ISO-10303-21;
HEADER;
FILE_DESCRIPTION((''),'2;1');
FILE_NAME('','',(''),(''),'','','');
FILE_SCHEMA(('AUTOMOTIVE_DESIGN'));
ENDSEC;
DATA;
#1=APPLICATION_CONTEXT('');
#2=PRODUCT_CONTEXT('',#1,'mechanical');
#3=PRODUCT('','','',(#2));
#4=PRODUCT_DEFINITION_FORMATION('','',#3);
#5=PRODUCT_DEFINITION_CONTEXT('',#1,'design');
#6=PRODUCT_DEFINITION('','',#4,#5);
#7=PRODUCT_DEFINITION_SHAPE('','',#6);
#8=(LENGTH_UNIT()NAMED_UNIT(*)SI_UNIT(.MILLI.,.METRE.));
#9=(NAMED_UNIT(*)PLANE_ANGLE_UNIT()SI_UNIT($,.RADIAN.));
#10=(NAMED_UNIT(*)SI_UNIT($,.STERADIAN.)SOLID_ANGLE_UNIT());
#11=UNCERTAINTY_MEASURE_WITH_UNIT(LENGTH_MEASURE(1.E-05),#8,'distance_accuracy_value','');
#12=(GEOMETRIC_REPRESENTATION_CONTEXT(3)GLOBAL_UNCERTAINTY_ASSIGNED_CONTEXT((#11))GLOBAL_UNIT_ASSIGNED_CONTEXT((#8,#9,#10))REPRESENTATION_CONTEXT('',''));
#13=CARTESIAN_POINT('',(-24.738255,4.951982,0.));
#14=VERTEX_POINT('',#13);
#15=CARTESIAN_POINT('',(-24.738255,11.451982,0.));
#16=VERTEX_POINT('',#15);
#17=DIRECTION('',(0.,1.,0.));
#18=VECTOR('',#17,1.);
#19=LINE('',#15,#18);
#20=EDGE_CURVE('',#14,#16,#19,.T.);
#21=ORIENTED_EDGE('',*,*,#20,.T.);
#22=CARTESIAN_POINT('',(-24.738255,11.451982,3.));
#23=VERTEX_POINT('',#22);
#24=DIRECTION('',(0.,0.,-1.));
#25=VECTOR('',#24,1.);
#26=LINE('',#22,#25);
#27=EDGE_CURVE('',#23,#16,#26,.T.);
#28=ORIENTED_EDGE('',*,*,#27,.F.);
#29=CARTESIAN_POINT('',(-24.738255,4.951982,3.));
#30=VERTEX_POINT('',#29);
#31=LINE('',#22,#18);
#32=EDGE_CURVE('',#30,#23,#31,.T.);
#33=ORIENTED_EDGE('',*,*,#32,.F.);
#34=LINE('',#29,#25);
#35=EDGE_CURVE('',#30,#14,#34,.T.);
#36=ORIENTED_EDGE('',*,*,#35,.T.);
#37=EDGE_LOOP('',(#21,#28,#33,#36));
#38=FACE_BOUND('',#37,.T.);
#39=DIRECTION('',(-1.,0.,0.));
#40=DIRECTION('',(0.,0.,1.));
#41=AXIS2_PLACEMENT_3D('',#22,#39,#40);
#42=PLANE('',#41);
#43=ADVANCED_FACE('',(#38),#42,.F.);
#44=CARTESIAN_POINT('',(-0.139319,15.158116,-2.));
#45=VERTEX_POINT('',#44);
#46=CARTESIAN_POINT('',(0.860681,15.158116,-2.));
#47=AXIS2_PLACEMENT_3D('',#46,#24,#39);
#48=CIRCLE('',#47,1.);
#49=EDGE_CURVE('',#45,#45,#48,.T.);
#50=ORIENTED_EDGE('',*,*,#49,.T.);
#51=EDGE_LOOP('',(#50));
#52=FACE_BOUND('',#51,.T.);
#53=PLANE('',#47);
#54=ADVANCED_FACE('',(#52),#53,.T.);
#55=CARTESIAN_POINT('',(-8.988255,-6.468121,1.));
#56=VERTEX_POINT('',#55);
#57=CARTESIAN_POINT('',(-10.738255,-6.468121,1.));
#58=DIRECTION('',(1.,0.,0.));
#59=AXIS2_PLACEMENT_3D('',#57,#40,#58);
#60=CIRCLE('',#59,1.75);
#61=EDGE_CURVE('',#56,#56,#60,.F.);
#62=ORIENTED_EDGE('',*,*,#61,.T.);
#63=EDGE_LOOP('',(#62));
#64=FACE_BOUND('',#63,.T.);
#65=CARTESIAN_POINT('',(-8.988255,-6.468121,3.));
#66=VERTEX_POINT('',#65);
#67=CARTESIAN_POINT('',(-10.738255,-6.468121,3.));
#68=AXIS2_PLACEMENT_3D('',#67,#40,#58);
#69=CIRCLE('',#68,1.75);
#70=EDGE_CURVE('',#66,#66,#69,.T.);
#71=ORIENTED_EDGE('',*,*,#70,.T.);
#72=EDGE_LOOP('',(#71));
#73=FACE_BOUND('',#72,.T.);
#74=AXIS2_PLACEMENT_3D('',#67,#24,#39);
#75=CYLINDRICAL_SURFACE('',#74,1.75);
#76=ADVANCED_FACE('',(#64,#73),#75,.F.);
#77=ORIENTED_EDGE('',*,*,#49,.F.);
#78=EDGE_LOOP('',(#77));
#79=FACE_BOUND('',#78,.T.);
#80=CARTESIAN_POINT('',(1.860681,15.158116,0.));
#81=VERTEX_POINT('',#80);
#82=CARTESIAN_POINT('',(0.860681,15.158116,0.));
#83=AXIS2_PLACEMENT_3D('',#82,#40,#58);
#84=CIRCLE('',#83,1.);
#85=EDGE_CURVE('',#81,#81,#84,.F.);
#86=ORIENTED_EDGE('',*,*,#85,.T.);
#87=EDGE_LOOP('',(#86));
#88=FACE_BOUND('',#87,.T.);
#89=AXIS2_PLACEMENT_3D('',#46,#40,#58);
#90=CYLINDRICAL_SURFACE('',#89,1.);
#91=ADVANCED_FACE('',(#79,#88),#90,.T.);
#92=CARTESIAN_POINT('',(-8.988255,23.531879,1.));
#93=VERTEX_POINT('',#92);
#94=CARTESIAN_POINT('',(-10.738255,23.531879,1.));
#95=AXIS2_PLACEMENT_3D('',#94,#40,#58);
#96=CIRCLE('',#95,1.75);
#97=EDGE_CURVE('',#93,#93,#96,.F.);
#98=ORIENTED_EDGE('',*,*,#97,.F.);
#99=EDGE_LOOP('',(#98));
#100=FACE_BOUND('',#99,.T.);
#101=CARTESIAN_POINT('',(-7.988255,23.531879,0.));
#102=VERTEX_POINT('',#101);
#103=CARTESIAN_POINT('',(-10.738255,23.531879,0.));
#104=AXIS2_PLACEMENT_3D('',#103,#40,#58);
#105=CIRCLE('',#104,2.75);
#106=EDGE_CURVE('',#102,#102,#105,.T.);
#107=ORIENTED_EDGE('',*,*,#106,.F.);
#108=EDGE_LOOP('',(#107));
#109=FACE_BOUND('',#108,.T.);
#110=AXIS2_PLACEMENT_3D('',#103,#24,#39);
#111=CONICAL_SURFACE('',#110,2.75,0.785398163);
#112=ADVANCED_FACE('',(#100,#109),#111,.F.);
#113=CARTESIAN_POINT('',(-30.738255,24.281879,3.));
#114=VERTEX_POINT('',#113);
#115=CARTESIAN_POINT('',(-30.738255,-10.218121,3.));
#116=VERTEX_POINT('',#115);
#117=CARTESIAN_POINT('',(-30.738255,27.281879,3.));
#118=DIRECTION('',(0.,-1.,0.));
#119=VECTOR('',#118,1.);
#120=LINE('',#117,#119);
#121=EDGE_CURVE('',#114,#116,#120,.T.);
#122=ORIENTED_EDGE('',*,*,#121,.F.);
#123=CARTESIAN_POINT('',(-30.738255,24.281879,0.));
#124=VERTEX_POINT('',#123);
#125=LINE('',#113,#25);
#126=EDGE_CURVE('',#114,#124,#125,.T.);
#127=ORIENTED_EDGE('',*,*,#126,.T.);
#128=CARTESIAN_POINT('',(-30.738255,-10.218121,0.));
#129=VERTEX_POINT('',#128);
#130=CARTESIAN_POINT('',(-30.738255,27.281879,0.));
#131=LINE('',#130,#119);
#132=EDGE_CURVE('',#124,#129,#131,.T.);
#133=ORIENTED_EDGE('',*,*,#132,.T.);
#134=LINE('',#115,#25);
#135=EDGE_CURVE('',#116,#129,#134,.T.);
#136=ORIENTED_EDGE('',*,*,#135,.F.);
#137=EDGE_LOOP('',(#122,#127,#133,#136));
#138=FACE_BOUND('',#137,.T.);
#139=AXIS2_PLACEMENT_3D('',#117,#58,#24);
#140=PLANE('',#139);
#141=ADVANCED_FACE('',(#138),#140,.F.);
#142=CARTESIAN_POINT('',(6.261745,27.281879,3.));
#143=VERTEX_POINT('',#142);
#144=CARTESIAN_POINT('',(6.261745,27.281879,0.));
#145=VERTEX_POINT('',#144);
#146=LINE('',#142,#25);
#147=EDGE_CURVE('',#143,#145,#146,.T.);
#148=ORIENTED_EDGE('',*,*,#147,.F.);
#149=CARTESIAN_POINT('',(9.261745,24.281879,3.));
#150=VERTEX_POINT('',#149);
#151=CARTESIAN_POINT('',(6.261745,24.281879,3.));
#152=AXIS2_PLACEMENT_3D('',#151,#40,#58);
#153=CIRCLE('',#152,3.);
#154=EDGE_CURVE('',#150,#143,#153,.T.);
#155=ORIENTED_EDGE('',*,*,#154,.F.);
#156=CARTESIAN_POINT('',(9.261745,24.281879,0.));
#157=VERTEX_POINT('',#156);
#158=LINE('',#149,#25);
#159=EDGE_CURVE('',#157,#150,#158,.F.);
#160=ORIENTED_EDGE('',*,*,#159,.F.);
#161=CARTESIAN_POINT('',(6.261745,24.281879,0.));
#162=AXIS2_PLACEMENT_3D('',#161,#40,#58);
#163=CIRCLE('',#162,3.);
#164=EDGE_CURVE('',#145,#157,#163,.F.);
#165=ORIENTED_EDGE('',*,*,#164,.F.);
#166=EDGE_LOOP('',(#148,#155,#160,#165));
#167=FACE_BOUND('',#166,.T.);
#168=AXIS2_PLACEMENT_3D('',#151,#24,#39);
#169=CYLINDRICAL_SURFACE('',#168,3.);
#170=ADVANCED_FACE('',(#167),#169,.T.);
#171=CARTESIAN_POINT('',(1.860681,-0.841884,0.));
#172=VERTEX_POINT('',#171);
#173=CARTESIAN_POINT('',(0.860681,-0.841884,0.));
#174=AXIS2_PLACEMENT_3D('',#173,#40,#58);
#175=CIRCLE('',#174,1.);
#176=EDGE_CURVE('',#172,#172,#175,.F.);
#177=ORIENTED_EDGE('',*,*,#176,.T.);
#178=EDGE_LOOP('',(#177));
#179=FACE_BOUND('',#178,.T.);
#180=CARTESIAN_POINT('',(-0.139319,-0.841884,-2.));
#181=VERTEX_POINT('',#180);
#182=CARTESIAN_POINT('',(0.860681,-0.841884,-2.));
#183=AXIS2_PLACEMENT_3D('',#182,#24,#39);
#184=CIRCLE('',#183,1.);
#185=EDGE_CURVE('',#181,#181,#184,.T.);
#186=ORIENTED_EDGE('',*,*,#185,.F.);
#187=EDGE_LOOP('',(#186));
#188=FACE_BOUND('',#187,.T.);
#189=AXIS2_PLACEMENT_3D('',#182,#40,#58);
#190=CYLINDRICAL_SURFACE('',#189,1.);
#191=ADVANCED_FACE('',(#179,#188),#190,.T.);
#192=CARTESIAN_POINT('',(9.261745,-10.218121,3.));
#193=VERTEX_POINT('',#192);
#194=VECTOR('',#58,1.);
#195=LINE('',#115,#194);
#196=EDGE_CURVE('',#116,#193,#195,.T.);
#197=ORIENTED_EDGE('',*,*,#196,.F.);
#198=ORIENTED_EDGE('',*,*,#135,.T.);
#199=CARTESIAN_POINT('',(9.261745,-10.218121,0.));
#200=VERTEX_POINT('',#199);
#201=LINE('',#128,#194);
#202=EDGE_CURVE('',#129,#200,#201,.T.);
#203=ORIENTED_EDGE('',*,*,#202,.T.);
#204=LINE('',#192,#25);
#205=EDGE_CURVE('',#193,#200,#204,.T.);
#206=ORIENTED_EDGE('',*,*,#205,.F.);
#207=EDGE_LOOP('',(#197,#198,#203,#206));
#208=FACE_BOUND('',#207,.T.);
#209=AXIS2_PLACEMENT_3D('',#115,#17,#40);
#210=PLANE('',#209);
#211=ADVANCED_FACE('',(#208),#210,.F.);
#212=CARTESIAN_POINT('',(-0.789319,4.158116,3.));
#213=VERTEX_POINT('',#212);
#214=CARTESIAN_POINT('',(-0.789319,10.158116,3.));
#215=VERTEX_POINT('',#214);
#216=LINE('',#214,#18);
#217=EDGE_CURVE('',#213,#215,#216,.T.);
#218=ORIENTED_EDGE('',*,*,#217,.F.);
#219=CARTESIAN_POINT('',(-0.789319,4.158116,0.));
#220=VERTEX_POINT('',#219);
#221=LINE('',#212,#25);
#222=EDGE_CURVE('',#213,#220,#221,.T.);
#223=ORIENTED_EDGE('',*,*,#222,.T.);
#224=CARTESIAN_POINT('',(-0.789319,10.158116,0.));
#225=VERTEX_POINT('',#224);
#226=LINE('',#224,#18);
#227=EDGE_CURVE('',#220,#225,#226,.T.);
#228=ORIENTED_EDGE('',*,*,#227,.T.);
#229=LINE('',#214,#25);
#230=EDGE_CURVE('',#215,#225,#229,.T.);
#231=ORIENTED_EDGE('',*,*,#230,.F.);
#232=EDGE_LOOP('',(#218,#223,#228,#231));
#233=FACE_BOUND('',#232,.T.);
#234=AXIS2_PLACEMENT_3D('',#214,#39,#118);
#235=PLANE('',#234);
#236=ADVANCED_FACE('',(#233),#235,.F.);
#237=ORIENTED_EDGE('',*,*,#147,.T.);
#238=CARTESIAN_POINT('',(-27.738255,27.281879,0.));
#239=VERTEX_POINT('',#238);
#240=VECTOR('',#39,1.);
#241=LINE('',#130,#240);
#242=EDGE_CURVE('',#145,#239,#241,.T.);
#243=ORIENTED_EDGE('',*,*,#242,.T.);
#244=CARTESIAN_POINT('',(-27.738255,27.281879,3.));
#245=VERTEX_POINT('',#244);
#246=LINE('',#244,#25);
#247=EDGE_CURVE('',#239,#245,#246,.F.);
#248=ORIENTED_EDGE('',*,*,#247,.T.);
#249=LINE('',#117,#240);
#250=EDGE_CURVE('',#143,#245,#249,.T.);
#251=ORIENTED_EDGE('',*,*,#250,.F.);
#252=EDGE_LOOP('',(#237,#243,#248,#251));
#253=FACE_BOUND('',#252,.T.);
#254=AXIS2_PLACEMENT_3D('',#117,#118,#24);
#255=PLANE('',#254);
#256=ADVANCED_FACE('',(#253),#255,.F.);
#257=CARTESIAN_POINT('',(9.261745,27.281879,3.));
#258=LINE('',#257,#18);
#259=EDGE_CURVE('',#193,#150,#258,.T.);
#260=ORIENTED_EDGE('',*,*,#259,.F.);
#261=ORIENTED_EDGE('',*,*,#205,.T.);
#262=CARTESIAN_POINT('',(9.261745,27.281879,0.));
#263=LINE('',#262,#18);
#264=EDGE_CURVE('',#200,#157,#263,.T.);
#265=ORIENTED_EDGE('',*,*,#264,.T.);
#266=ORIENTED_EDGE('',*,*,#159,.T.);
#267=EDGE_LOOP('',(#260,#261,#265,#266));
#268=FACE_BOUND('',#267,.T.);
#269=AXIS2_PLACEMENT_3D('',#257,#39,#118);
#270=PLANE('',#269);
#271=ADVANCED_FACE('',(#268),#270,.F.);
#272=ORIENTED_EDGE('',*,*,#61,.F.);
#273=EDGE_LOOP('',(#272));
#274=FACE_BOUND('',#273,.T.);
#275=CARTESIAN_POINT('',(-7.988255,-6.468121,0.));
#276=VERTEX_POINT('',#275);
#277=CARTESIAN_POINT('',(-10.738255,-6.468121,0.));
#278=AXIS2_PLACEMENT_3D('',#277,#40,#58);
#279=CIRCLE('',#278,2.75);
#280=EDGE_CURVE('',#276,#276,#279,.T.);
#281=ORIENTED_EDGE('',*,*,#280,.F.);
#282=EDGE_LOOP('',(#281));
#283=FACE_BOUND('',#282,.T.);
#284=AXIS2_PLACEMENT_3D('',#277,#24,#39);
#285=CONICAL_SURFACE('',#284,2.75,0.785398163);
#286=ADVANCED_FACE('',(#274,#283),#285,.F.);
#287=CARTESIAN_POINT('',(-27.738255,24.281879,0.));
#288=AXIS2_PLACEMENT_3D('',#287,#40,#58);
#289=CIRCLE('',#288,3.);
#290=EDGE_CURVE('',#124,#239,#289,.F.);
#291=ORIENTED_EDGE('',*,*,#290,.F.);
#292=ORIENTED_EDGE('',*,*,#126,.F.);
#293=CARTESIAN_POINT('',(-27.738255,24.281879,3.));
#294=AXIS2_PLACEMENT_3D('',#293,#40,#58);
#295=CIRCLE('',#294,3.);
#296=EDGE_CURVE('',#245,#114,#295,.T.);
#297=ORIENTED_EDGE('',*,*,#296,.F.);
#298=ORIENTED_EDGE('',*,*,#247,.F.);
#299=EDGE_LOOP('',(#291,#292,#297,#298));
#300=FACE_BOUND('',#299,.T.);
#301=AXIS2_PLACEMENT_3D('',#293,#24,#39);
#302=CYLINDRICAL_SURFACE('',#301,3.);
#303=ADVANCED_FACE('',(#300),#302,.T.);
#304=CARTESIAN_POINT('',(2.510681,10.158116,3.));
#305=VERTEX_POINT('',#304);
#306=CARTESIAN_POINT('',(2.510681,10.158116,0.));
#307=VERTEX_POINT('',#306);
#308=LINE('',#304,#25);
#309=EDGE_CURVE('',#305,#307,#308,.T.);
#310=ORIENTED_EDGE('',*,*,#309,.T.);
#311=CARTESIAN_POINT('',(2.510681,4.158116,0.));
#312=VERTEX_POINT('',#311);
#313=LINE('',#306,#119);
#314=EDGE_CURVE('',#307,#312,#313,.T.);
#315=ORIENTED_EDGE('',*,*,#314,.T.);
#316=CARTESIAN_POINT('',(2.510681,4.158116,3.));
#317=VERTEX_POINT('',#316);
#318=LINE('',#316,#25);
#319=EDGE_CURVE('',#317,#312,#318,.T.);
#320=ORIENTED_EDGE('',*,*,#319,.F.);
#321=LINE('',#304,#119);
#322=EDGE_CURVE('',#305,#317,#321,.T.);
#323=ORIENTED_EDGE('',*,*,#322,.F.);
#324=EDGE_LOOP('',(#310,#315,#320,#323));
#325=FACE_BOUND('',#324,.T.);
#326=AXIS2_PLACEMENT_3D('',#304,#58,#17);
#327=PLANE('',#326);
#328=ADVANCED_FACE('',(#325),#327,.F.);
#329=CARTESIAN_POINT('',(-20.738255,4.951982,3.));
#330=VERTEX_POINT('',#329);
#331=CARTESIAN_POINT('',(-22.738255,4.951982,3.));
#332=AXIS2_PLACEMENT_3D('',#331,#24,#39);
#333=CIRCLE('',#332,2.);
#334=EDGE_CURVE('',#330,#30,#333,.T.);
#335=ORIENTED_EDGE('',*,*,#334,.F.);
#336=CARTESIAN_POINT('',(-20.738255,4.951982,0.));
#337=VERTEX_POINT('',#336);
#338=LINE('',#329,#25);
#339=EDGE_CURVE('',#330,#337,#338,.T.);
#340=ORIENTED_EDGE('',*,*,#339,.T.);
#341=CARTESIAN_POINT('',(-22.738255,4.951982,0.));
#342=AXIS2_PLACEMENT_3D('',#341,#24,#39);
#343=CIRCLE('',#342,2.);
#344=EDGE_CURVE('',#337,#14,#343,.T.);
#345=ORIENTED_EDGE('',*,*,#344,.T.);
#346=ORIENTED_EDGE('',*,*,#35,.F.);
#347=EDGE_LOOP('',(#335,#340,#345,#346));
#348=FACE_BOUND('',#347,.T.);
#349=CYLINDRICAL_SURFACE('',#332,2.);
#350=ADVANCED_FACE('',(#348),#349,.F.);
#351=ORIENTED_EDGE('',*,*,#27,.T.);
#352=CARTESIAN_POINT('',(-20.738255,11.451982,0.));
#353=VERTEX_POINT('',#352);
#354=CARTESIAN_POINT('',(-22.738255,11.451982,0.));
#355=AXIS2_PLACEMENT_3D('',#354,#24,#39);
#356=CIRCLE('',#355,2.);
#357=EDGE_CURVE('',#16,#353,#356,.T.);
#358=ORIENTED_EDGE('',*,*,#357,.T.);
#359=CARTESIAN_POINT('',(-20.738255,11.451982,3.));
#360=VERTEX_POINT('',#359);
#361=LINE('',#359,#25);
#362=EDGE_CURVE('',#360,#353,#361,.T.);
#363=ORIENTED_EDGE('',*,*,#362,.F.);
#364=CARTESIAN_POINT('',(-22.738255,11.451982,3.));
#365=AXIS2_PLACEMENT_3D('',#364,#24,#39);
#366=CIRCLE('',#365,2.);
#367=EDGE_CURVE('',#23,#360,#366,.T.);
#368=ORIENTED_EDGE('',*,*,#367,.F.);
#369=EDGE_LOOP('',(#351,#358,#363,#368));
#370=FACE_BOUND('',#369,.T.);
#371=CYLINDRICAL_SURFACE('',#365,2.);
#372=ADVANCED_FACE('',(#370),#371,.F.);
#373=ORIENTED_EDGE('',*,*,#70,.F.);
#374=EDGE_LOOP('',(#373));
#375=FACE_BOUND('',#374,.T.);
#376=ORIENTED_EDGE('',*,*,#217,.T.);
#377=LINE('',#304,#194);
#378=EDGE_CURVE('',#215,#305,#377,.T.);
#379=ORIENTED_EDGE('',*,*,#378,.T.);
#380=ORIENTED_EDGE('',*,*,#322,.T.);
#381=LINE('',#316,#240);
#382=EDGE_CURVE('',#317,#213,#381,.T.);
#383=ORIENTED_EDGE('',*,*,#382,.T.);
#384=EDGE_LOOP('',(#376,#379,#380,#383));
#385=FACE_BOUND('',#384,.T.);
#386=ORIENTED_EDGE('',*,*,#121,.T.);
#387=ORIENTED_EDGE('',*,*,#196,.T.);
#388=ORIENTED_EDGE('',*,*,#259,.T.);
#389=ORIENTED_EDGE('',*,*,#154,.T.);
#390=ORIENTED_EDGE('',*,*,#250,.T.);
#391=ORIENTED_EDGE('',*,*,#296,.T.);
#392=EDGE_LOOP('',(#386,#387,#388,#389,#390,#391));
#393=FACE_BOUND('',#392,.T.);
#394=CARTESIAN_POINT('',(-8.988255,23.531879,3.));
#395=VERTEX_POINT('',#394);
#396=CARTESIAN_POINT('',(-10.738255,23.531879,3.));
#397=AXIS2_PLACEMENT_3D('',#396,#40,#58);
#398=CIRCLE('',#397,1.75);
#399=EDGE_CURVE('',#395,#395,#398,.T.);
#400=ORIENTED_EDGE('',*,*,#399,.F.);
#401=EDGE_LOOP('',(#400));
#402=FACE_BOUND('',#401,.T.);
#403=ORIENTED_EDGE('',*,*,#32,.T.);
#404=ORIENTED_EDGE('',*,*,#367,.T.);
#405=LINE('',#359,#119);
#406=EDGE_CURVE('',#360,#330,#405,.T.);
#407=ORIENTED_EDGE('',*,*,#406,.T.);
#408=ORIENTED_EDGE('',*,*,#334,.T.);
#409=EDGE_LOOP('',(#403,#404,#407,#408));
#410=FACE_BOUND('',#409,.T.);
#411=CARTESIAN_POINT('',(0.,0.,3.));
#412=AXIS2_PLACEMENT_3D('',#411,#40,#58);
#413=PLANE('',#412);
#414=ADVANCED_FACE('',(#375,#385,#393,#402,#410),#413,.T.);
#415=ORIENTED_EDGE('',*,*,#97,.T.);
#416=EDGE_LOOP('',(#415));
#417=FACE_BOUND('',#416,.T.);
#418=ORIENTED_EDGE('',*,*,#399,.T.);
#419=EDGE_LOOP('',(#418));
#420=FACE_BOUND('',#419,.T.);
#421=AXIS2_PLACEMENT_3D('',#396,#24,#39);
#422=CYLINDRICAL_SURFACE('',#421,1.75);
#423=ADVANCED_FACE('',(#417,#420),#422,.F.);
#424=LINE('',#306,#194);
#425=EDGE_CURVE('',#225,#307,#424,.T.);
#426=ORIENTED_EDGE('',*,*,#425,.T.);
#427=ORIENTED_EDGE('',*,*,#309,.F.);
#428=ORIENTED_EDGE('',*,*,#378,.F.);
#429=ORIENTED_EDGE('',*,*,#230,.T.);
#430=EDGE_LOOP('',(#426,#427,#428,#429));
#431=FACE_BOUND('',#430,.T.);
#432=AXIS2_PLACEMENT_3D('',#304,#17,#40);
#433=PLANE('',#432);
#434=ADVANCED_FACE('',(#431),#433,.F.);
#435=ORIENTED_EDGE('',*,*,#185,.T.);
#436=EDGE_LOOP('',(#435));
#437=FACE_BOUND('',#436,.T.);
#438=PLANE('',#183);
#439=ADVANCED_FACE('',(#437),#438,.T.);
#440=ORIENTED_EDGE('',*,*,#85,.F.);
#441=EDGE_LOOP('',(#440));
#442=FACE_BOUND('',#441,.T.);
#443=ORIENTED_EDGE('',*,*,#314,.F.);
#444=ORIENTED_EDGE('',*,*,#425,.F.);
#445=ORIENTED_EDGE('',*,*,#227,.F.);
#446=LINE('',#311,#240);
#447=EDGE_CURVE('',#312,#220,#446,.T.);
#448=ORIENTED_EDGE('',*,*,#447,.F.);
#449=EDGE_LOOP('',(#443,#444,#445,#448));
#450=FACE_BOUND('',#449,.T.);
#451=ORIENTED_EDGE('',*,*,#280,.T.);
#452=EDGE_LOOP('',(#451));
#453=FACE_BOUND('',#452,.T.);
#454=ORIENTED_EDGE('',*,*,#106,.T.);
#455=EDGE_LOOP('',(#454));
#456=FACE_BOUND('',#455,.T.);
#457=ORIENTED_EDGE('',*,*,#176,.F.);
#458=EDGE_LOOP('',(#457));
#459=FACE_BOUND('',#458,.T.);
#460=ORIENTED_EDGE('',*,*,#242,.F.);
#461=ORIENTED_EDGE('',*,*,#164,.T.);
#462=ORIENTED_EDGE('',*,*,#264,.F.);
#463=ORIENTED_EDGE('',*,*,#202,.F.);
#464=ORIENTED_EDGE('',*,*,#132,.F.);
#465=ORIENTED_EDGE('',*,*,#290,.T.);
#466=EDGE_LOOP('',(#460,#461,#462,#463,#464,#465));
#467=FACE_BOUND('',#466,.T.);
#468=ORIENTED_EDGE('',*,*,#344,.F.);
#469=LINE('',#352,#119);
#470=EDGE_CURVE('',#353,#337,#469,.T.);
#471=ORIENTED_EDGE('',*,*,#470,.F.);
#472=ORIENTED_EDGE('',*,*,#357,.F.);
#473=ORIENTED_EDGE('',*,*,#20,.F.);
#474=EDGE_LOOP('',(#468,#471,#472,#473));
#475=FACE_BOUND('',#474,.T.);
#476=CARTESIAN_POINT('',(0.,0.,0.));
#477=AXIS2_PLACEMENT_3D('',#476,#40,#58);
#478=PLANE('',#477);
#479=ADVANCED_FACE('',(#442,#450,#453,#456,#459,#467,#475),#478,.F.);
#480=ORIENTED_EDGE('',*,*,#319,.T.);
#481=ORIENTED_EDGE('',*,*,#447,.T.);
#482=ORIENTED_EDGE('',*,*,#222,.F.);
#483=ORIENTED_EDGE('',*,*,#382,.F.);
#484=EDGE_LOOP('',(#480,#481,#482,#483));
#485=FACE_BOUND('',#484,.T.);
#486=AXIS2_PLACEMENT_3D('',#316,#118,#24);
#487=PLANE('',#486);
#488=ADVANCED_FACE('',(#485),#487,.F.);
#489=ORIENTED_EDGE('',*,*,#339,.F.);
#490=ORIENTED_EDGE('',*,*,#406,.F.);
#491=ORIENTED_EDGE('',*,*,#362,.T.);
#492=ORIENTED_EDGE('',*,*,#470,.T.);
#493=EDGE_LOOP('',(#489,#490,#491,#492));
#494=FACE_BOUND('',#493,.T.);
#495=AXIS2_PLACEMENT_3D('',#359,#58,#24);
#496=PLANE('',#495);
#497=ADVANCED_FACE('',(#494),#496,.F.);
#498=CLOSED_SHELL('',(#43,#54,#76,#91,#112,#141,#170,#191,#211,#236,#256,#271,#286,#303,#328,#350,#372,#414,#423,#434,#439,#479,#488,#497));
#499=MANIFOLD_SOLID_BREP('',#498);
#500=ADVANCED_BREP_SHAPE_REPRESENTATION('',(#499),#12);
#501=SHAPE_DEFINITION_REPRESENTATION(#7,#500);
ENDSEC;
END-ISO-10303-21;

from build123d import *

# Parameters (mm, degrees)
ESQUISSE1_W             = 40
ESQUISSE1_H             = 37.5
ESQUISSE1_R             = 1.75
BOSS_EXTRU_1_DEPTH      = 3
CHANFREIN1_SIZE         = 1
CONG_1_R                = 3
ESQUISSE5_W             = 3.3
ESQUISSE5_H             = 6
ENL_V_MAT_EXTRU_2_DEPTH = 42.208509496
ESQUISSE6_R             = 1
BOSS_EXTRU_2_DEPTH      = 2


with BuildPart() as part:
    # Esquisse1 → Boss.-Extru.1 (new body)
    with BuildSketch(Plane.XY):
        with Locations((-10.738255034, 8.531879195)):
            Rectangle(ESQUISSE1_W, ESQUISSE1_H)
        with Locations((-10.738255034, -6.468120805)):
            Circle(ESQUISSE1_R, mode=Mode.SUBTRACT)
        with Locations((-10.738255034, 23.531879195)):
            Circle(ESQUISSE1_R, mode=Mode.SUBTRACT)
    extrude(amount=BOSS_EXTRU_1_DEPTH)

    # Chanfrein1
    chanfrein1_edges = [part.edges().sort_by_distance(p)[0] for p in [
        (-12.488255034, -6.468120805, 0),
        (-12.488255034, 23.531879195, 0),
    ]]
    chamfer(chanfrein1_edges, length=CHANFREIN1_SIZE)

    # Congé1
    cong_1_edges = [part.edges().sort_by_distance(p)[0] for p in [
        (-30.738255034, 27.281879195, 1.5),
        (9.261744966, 27.281879195, 1.5),
    ]]
    fillet(cong_1_edges, radius=CONG_1_R)

    # Esquisse5 → Enlèv. mat.-Extru.2 (cut, through all)
    with BuildSketch(Plane(origin=(0, 0, 0), x_dir=(-1, 0, 0), z_dir=(0, 0, -1))):
        with BuildLine():
            Line((24.738255034, 11.451981866), (24.738255034, 4.951981866))
            ThreePointArc((24.738255034, 4.951981866), (22.738255034, 2.951981866), (20.738255034, 4.951981866))
            Line((20.738255034, 4.951981866), (20.738255034, 11.451981866))
            ThreePointArc((20.738255034, 11.451981866), (22.738255034, 13.451981866), (24.738255034, 11.451981866))
        make_face()
        with Locations((-0.860681094, 7.158115812)):
            Rectangle(ESQUISSE5_W, ESQUISSE5_H)
    extrude(amount=-ENL_V_MAT_EXTRU_2_DEPTH, mode=Mode.SUBTRACT)

    # Esquisse6 → Boss.-Extru.2 (add)
    with BuildSketch(Plane(origin=(0, 0, 0), x_dir=(-1, 0, 0), z_dir=(0, 0, -1))):
        with Locations(Location((-0.860681094, 15.158115812, 0), (0, 0, 180))):
            Circle(ESQUISSE6_R)
        with Locations(Location((-0.860681094, -0.841884188, 0), (0, 0, 180))):
            Circle(ESQUISSE6_R)
    extrude(amount=BOSS_EXTRU_2_DEPTH)


solid = part.part
